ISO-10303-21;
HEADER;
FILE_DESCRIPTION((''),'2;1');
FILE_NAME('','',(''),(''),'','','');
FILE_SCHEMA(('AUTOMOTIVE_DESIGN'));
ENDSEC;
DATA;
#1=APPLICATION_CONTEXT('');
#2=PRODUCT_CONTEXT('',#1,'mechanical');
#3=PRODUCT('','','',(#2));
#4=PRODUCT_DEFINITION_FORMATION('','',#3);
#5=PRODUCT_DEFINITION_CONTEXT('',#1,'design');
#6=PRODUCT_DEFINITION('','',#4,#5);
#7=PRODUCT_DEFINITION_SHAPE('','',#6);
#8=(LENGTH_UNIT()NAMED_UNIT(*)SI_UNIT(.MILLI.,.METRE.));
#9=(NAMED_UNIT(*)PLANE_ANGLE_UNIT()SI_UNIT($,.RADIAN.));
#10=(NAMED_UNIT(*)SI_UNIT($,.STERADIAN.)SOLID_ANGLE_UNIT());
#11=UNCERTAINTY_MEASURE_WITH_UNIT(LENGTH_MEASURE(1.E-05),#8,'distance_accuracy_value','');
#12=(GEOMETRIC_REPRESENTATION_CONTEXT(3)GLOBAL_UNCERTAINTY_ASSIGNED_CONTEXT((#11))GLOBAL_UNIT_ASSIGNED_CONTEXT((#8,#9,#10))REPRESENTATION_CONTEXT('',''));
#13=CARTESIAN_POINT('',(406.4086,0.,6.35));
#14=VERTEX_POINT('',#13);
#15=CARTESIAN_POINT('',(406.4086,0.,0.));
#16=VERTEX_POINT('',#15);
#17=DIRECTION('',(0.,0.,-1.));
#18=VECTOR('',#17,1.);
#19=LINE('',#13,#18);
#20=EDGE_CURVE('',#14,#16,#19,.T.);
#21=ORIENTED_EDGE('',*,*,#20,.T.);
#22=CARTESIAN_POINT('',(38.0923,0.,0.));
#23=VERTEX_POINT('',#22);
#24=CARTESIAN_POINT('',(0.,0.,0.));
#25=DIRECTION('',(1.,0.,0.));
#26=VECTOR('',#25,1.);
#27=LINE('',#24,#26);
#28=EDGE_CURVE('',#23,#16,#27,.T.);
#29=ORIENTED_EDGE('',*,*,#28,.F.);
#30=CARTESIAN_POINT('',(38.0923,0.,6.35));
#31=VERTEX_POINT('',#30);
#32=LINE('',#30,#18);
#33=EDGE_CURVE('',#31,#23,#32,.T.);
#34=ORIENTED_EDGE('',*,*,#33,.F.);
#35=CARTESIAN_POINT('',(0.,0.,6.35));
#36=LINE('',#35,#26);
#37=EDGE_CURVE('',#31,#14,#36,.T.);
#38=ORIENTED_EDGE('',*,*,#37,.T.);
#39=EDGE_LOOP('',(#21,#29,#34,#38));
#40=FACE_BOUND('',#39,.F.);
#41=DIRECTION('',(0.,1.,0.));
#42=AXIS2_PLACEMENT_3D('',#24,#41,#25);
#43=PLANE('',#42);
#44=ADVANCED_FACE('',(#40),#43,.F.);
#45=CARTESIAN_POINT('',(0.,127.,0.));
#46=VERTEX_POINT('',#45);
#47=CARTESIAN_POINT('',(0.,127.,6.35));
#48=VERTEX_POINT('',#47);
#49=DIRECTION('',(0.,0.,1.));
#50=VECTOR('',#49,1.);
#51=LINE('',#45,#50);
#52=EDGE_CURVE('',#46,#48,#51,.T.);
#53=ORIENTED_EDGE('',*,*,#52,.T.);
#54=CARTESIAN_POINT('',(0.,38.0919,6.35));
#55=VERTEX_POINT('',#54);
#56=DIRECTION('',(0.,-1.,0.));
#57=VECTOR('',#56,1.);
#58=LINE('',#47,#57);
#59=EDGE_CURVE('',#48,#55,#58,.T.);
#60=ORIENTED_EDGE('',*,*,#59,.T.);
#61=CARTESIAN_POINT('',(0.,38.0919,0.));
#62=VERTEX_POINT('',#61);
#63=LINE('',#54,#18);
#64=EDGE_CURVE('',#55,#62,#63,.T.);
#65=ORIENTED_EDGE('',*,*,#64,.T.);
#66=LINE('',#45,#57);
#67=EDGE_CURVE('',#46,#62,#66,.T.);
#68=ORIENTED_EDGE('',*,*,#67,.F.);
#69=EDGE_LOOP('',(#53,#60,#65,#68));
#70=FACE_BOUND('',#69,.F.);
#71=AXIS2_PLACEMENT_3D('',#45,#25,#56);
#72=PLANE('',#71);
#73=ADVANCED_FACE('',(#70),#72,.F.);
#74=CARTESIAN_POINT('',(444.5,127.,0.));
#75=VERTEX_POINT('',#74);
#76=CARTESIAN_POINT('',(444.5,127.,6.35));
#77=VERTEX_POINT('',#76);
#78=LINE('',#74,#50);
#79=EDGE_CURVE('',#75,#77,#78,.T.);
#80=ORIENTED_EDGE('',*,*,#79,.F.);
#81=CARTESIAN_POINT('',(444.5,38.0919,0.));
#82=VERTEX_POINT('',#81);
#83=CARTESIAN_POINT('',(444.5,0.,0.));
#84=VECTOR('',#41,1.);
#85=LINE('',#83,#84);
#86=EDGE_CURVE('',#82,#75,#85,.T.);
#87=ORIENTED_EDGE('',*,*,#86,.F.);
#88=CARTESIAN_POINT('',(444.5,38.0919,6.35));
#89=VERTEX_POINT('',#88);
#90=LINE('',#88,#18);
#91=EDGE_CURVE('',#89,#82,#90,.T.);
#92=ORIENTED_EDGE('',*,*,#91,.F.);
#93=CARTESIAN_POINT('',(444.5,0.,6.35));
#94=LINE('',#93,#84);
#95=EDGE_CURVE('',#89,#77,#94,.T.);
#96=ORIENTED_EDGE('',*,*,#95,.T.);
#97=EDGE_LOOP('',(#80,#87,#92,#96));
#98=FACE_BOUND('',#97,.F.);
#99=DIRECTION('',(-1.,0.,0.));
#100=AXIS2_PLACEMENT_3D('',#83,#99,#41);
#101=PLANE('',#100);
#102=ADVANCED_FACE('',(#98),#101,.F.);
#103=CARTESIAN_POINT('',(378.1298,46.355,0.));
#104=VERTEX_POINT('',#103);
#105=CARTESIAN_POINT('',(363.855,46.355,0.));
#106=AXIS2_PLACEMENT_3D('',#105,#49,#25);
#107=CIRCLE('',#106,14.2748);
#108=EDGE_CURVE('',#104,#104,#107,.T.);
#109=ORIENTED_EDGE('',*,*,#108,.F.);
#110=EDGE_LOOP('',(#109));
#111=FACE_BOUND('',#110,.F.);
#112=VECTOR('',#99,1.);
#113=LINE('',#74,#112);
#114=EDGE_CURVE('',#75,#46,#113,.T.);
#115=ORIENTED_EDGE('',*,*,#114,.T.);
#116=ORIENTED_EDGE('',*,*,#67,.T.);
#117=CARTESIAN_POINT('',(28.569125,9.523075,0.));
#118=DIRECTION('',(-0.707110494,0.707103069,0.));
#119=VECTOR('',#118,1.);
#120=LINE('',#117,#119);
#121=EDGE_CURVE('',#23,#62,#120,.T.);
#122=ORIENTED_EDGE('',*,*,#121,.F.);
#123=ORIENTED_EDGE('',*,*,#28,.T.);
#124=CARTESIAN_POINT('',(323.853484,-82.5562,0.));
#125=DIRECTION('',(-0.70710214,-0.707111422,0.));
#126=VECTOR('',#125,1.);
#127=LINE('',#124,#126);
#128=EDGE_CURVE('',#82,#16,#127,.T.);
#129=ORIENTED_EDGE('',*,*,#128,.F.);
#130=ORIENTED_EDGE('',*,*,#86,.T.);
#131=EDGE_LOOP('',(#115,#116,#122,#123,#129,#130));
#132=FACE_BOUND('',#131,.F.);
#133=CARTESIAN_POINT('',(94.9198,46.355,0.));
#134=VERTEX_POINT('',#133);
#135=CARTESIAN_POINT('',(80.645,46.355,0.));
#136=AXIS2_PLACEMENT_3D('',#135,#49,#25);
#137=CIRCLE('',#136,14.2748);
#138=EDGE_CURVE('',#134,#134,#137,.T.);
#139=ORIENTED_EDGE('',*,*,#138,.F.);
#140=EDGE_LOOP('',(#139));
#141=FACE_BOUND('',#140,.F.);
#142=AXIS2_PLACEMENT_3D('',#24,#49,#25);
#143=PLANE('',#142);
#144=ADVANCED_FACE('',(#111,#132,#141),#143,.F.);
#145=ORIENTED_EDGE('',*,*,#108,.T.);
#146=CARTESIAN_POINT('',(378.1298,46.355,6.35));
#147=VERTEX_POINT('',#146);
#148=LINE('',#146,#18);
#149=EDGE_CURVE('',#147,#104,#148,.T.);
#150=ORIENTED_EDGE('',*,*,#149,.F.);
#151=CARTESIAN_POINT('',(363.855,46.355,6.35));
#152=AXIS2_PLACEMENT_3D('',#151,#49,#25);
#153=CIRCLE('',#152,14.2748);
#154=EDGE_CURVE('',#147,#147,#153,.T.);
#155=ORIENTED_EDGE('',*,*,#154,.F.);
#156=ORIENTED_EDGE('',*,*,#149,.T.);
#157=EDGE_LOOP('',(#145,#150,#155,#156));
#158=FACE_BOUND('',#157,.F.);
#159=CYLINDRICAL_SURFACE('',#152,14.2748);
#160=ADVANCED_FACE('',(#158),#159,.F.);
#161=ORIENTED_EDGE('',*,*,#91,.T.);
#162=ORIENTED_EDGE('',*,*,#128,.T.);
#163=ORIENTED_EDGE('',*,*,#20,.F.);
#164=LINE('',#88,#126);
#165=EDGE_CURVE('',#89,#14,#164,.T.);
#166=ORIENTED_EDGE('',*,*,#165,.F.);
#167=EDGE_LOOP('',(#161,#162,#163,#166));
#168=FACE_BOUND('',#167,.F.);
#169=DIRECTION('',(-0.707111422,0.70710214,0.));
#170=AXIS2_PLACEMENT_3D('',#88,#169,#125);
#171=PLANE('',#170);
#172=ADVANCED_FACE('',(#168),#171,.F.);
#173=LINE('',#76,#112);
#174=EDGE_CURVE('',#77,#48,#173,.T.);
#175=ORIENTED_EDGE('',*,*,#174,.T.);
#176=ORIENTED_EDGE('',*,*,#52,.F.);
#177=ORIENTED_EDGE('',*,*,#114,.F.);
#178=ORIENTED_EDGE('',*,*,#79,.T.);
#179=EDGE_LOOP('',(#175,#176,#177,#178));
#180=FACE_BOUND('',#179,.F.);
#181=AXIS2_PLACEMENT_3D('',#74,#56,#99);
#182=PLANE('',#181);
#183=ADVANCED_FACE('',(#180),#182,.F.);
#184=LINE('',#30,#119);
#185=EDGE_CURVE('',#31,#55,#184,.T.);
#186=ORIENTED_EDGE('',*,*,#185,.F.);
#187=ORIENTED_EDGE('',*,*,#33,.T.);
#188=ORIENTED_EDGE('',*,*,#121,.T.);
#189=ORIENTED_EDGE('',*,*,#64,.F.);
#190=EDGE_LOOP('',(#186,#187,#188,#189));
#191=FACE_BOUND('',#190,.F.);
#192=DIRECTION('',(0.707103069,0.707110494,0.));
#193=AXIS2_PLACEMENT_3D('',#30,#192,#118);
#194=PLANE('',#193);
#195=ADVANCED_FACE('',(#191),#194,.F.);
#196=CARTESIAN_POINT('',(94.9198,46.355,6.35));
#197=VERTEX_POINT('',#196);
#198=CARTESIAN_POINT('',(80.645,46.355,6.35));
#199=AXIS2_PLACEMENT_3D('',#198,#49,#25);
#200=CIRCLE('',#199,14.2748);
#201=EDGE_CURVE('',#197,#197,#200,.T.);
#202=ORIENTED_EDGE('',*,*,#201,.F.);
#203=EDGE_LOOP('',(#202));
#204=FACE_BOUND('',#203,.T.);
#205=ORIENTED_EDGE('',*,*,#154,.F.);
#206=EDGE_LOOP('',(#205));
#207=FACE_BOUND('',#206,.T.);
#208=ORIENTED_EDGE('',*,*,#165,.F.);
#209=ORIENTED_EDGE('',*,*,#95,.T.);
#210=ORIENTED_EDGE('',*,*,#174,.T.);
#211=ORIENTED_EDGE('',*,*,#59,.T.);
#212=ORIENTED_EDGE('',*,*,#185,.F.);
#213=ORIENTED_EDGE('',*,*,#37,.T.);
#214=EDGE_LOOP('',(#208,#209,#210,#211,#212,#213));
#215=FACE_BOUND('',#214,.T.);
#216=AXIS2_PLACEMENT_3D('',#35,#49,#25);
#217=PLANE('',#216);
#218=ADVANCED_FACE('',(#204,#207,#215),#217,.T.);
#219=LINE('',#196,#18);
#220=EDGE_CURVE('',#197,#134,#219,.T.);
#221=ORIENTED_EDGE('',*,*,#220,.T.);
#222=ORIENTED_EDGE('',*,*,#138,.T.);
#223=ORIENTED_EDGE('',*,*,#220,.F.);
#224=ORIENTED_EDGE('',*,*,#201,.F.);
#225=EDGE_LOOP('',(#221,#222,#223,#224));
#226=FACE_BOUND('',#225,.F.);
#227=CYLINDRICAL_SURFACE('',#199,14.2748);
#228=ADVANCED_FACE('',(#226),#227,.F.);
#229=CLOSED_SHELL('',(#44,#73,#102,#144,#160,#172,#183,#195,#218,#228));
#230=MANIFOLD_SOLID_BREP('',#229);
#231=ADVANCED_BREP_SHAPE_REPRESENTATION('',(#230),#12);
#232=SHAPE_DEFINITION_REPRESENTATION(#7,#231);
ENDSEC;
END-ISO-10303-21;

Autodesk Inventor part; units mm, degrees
ref_plane "YZ Plane" through (0, 0, 0) normal (1, 0, 0) x (0, 1, 0)
ref_plane "XZ Plane" through (0, 0, 0) normal (0, 1, 0) x (-1, 0, 0)
ref_plane "XY Plane" through (0, 0, 0) normal (0, 0, 1) x (1, 0, 0)
sketch "Sketch1" plane through (0, 0, 0) normal (0, 0, 1) x (1, 0, 0)
  line L0 (0, 0) -> (444.5, 0)
  line L1 (444.5, 0) -> (444.5, 127)
  line L2 (444.5, 127) -> (0, 127)
  line L3 (0, 127) -> (0, 0)
  dimension "d0" = 444.5
  dimension "d1" = 127
extrude "Extrusion1" add sketch "Sketch1" along normal blind 6.35
sketch "Sketch2" plane through (0, 0, 6.35) normal (0, 0, 1) x (1, 0, 0)
  line L0 (0, 0) -> (444.5, 0) projected
  line L1 (38.0923, 0) -> (0, 38.0919)
  line L2 (0, 127) -> (0, 0) projected
  line L3 (0, 0) -> (444.5, 0) projected
  line L4 (444.5, 0) -> (444.5, 127) projected
  line L5 (444.5, 0) -> (406.4, 0)
  line L6 (444.5, 0) -> (482.6, 0) construction
  line L7 (444.5, 0) -> (444.5, 38.0919)
  line L8 (444.5, 38.0919) -> (406.4086, 0)
  point P0 (419.1126, 0)
  dimension "d19" = 38.1
  dimension "d20" = 180
extrude "Extrusion2" cut sketch "Sketch2" against normal blind 50.8
sketch "Sketch3" plane through (0, 0, 6.35) normal (0, 0, 1) x (1, 0, 0)
  line L0 (0, 77.664) -> (80.645, 77.664) construction
  line L1 (444.5, 127) -> (0, 127) projected
  line L2 (80.645, 127) -> (161.29, 127) construction
  circle A0 centre (80.645, 46.355) radius 14.2748
  line L3 (444.5, 38.0919) -> (444.5, 127) projected
  line L4 (444.5, 77.664) -> (525.145, 77.664) construction
  line L5 (444.5, 38.0919) -> (444.5, 127) projected
  line L6 (444.5, 46.355) -> (525.145, 46.355) construction
  circle A1 centre (363.855, 46.355) radius 14.2748
  line L7 (444.5, 127) -> (0, 127) projected
  line L8 (0, 127) -> (0, 38.0919) projected
  circle A2 centre (182.245, 46.355) radius 21.59
  circle A3 centre (262.255, 46.355) radius 21.59
  point P0 (0, 0)
  dimension "d10" = 28.5496
  dimension "d18" = 28.5496
  dimension "d31" = 43.18
  dimension "d32" = 43.18
extrude "Extrusion3" cut sketch "Sketch3" against normal blind 50.8 contours A0 | A1
properties part number "MecanumDriveTrainPlate17-18"
